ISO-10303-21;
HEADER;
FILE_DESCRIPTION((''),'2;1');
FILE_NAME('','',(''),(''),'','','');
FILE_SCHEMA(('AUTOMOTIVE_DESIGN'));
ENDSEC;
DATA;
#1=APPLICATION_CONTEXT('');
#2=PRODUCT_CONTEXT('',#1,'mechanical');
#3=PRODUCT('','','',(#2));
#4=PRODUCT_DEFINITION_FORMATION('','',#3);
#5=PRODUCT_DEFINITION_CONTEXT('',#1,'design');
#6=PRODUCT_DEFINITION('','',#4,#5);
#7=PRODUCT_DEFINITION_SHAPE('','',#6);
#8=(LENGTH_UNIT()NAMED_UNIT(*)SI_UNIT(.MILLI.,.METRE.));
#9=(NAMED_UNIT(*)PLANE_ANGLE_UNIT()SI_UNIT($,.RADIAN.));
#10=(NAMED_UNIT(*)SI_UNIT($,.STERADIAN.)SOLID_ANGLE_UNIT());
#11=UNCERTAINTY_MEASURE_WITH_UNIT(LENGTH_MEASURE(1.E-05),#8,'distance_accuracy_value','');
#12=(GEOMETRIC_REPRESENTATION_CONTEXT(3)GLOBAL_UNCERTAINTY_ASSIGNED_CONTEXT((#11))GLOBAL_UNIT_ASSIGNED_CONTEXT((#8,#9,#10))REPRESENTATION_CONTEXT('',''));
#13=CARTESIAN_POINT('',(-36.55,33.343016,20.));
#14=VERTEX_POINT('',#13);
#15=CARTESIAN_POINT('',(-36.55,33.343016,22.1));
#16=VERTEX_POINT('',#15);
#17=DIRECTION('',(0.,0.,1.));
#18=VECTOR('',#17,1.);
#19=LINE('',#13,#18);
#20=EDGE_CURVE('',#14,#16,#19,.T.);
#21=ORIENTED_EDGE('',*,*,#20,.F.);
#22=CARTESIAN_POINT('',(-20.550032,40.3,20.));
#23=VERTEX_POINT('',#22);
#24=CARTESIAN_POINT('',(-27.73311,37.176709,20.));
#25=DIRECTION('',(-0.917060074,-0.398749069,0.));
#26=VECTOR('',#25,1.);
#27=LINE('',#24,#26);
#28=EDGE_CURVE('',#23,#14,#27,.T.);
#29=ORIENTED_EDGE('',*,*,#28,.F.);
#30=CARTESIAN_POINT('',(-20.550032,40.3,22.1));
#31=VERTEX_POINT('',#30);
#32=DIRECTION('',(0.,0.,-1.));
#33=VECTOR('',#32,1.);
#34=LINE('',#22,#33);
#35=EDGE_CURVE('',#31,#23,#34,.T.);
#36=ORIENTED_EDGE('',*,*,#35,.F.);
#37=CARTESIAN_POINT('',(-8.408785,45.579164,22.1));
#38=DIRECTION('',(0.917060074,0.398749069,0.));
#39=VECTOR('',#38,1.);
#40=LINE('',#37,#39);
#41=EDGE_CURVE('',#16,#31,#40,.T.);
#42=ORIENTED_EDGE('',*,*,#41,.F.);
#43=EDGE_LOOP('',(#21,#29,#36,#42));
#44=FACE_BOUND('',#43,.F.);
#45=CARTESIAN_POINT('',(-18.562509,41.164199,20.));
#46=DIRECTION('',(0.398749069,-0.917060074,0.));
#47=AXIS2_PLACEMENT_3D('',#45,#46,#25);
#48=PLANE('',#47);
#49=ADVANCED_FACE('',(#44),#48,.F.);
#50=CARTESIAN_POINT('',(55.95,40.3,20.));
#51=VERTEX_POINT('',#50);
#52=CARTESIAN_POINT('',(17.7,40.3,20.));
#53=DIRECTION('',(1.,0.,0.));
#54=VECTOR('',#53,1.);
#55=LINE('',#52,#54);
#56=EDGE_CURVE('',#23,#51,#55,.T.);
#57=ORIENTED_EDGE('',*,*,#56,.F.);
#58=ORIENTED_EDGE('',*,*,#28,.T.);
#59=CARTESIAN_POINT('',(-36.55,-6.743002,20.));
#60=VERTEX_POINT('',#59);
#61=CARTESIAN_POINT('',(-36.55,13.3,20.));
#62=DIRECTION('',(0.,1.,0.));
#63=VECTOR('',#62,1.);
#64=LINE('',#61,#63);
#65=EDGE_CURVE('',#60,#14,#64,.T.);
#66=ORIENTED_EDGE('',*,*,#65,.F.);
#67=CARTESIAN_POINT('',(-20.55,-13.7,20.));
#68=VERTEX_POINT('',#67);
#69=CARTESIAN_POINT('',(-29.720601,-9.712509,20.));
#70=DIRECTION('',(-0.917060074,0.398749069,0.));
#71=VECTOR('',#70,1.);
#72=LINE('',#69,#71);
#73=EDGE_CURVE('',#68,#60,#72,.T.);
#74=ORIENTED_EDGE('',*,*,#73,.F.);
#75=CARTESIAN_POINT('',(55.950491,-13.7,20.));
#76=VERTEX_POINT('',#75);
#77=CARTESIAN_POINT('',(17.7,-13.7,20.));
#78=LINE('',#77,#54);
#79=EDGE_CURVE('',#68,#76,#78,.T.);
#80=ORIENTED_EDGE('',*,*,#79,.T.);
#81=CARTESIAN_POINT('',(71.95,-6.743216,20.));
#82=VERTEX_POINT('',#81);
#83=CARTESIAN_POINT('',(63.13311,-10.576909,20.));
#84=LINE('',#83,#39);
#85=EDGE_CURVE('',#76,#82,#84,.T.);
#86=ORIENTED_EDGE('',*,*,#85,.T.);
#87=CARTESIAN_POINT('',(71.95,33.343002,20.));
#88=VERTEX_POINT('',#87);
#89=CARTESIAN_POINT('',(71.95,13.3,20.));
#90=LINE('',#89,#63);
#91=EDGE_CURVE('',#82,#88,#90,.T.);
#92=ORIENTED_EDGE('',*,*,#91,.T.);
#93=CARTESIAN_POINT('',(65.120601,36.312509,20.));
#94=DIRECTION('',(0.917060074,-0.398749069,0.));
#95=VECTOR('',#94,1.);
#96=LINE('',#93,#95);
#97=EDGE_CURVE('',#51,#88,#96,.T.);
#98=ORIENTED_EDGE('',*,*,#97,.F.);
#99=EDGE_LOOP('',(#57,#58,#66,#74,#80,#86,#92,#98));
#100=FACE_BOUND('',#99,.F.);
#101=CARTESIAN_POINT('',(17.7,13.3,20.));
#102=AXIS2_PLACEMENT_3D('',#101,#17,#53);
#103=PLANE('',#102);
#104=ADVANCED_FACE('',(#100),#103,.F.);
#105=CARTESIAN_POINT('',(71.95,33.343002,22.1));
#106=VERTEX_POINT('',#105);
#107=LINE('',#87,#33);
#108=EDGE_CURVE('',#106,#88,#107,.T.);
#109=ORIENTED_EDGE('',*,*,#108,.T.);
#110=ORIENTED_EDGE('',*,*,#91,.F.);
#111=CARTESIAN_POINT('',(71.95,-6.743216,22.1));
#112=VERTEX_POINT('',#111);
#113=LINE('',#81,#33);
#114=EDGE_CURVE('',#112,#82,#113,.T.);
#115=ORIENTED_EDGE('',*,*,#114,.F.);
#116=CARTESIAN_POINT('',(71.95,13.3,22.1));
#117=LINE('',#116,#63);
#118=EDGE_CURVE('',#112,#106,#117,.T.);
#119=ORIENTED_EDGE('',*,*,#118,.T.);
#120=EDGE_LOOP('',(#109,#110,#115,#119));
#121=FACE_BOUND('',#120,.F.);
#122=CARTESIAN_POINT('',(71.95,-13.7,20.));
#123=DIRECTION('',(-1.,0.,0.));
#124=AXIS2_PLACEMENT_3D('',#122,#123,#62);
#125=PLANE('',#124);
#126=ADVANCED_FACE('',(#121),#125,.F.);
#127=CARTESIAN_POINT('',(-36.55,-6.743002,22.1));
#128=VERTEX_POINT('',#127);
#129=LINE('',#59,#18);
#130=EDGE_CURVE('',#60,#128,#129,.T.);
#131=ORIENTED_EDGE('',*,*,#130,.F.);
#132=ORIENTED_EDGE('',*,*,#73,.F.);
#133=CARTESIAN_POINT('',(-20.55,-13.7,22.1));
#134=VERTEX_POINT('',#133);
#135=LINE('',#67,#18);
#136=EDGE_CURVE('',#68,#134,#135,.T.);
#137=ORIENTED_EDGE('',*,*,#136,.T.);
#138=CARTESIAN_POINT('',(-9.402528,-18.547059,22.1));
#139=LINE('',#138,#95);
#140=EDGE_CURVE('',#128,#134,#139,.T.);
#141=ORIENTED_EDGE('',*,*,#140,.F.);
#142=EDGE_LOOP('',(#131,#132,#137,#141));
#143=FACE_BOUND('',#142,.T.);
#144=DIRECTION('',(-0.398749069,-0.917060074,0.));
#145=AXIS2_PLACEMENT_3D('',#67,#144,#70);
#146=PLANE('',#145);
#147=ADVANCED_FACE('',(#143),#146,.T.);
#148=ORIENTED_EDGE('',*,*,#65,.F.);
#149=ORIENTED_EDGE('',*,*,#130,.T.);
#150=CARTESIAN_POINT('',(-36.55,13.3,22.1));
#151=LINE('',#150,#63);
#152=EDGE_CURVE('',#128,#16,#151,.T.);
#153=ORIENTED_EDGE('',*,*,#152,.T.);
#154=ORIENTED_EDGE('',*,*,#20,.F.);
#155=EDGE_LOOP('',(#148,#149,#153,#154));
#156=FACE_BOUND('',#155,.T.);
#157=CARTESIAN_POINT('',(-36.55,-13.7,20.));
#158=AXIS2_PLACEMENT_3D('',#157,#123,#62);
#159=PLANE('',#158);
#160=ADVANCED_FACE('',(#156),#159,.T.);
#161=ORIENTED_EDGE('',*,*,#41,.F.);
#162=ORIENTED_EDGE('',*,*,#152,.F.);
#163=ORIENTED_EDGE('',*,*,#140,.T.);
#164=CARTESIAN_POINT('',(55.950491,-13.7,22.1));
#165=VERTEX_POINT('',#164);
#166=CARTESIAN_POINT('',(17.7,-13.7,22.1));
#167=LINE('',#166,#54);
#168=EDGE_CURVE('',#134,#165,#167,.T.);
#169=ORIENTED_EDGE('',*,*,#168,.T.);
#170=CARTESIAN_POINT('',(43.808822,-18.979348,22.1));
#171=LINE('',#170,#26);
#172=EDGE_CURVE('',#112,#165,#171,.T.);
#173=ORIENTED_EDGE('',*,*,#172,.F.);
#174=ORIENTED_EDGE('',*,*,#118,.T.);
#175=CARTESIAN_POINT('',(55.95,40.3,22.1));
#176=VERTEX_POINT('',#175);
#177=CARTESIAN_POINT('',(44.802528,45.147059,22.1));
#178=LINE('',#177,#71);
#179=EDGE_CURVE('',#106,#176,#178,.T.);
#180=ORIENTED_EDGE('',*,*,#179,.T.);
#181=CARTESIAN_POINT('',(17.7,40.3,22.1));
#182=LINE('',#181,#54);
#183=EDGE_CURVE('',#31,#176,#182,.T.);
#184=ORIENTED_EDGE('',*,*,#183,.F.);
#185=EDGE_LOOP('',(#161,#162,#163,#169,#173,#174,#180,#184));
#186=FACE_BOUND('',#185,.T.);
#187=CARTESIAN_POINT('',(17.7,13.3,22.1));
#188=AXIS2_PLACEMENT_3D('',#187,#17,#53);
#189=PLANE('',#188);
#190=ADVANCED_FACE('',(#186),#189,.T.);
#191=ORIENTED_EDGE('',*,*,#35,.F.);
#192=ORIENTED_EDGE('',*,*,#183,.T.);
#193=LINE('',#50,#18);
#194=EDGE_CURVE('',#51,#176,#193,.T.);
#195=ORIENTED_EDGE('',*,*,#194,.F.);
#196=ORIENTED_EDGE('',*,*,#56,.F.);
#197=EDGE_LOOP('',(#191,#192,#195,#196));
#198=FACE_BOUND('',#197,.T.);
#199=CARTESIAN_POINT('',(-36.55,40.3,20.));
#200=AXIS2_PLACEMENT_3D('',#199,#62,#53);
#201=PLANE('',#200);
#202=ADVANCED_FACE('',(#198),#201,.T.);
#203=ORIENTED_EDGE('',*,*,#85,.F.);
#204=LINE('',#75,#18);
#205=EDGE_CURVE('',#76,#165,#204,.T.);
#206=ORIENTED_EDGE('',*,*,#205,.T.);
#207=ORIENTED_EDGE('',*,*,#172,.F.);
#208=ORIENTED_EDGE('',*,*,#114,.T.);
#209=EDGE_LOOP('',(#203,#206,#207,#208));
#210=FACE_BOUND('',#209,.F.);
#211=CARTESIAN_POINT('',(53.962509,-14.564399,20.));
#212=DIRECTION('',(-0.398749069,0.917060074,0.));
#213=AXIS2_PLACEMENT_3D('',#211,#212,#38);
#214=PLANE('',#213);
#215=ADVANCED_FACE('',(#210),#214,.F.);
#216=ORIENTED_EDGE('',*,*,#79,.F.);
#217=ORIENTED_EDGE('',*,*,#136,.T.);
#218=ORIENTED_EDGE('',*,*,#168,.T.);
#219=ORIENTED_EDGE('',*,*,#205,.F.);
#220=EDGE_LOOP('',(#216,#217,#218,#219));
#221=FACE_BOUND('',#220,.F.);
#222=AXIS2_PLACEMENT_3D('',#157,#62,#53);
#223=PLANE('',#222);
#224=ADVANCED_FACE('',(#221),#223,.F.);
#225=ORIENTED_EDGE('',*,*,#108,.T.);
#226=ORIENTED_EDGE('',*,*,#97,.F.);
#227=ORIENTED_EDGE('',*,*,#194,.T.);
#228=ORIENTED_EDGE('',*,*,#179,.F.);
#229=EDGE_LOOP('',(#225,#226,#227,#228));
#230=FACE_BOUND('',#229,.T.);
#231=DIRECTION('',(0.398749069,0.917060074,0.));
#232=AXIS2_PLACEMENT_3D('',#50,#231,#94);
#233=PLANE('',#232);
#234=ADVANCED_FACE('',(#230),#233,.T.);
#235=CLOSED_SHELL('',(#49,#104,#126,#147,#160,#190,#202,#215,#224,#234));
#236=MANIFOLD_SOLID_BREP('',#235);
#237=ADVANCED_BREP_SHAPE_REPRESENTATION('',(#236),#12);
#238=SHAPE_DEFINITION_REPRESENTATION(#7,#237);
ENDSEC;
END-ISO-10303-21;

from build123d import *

# Parameters (mm, degrees)
BOX004_W               = 20
BOX004_H               = 10
BOX004_DEPTH           = 10
BOX004_PLACEMENT_ANGLE = 156.5
BOX006_W               = 20
BOX006_H               = 10
BOX006_DEPTH           = 10
BOX006_PLACEMENT_ANGLE = 23.5
BOX007_W               = 20
BOX007_H               = 10
BOX007_DEPTH           = 10
BOX007_PLACEMENT_ANGLE = -23.5
BOX005_W               = 20
BOX005_H               = 10
BOX005_DEPTH           = 10
BOX005_PLACEMENT_ANGLE = 203.5
BOX001_W               = 108.5
BOX001_H               = 54
BOX001_DEPTH           = 2.1


with BuildPart() as cube004:
    # Box004 → Box004 (new body)
    with BuildSketch(Plane.XY):
        with Locations((10, 5)):
            Rectangle(BOX004_W, BOX004_H)
    extrude(amount=BOX004_DEPTH)


with BuildPart() as cube004_1:
    # Box004 placement: moved
    add(cube004.part.moved(Location((16, 0, 0))).rotate(Axis((16, 0, 0), (0, 0, 1)), BOX004_PLACEMENT_ANGLE))


with BuildPart() as cube006:
    # Box006 → Box006 (new body)
    with BuildSketch(Plane.XY):
        with Locations((10, 5)):
            Rectangle(BOX006_W, BOX006_H)
    extrude(amount=BOX006_DEPTH)


with BuildPart() as cube006_1:
    # Box006 placement: moved
    add(cube006.part.moved(Location((94.5, -10.035, 0))).rotate(Axis((94.5, -10.035, 0), (0, 0, 1)), BOX006_PLACEMENT_ANGLE))


with BuildPart() as cube007:
    # Box007 → Box007 (new body)
    with BuildSketch(Plane.XY):
        with Locations((10, 5)):
            Rectangle(BOX007_W, BOX007_H)
    extrude(amount=BOX007_DEPTH)


with BuildPart() as cube007_1:
    # Box007 placement: moved
    add(cube007.part.moved(Location((92.5, 54, 0))).rotate(Axis((92.5, 54, 0), (0, 0, 1)), BOX007_PLACEMENT_ANGLE))


with BuildPart() as cube005:
    # Box005 → Box005 (new body)
    with BuildSketch(Plane.XY):
        with Locations((10, 5)):
            Rectangle(BOX005_W, BOX005_H)
    extrude(amount=BOX005_DEPTH)


with BuildPart() as cube005_1:
    # Box005 placement: moved
    add(cube005.part.moved(Location((14, 64.0348, 0))).rotate(Axis((14, 64.0348, 0), (0, 0, 1)), BOX005_PLACEMENT_ANGLE))


with BuildPart() as g1020bf_bottom_lid:
    # Box001 → Box001 (new body)
    with BuildSketch(Plane.XY):
        with Locations((54.25, 27)):
            Rectangle(BOX001_W, BOX001_H)
    extrude(amount=BOX001_DEPTH)

    # Cut001: cut Cube005
    add(cube005_1.part, mode=Mode.SUBTRACT)

    # Cut002: cut Cube007
    add(cube007_1.part, mode=Mode.SUBTRACT)

    # Cut003: cut Cube006
    add(cube006_1.part, mode=Mode.SUBTRACT)

    # Cut004: cut Cube004
    add(cube004_1.part, mode=Mode.SUBTRACT)


with BuildPart() as g1020bf_bottom_lid_1:
    # Cut004 placement: moved
    add(g1020bf_bottom_lid.part.moved(Location((-36.55, -13.7, 20))))


solid = g1020bf_bottom_lid_1.part
